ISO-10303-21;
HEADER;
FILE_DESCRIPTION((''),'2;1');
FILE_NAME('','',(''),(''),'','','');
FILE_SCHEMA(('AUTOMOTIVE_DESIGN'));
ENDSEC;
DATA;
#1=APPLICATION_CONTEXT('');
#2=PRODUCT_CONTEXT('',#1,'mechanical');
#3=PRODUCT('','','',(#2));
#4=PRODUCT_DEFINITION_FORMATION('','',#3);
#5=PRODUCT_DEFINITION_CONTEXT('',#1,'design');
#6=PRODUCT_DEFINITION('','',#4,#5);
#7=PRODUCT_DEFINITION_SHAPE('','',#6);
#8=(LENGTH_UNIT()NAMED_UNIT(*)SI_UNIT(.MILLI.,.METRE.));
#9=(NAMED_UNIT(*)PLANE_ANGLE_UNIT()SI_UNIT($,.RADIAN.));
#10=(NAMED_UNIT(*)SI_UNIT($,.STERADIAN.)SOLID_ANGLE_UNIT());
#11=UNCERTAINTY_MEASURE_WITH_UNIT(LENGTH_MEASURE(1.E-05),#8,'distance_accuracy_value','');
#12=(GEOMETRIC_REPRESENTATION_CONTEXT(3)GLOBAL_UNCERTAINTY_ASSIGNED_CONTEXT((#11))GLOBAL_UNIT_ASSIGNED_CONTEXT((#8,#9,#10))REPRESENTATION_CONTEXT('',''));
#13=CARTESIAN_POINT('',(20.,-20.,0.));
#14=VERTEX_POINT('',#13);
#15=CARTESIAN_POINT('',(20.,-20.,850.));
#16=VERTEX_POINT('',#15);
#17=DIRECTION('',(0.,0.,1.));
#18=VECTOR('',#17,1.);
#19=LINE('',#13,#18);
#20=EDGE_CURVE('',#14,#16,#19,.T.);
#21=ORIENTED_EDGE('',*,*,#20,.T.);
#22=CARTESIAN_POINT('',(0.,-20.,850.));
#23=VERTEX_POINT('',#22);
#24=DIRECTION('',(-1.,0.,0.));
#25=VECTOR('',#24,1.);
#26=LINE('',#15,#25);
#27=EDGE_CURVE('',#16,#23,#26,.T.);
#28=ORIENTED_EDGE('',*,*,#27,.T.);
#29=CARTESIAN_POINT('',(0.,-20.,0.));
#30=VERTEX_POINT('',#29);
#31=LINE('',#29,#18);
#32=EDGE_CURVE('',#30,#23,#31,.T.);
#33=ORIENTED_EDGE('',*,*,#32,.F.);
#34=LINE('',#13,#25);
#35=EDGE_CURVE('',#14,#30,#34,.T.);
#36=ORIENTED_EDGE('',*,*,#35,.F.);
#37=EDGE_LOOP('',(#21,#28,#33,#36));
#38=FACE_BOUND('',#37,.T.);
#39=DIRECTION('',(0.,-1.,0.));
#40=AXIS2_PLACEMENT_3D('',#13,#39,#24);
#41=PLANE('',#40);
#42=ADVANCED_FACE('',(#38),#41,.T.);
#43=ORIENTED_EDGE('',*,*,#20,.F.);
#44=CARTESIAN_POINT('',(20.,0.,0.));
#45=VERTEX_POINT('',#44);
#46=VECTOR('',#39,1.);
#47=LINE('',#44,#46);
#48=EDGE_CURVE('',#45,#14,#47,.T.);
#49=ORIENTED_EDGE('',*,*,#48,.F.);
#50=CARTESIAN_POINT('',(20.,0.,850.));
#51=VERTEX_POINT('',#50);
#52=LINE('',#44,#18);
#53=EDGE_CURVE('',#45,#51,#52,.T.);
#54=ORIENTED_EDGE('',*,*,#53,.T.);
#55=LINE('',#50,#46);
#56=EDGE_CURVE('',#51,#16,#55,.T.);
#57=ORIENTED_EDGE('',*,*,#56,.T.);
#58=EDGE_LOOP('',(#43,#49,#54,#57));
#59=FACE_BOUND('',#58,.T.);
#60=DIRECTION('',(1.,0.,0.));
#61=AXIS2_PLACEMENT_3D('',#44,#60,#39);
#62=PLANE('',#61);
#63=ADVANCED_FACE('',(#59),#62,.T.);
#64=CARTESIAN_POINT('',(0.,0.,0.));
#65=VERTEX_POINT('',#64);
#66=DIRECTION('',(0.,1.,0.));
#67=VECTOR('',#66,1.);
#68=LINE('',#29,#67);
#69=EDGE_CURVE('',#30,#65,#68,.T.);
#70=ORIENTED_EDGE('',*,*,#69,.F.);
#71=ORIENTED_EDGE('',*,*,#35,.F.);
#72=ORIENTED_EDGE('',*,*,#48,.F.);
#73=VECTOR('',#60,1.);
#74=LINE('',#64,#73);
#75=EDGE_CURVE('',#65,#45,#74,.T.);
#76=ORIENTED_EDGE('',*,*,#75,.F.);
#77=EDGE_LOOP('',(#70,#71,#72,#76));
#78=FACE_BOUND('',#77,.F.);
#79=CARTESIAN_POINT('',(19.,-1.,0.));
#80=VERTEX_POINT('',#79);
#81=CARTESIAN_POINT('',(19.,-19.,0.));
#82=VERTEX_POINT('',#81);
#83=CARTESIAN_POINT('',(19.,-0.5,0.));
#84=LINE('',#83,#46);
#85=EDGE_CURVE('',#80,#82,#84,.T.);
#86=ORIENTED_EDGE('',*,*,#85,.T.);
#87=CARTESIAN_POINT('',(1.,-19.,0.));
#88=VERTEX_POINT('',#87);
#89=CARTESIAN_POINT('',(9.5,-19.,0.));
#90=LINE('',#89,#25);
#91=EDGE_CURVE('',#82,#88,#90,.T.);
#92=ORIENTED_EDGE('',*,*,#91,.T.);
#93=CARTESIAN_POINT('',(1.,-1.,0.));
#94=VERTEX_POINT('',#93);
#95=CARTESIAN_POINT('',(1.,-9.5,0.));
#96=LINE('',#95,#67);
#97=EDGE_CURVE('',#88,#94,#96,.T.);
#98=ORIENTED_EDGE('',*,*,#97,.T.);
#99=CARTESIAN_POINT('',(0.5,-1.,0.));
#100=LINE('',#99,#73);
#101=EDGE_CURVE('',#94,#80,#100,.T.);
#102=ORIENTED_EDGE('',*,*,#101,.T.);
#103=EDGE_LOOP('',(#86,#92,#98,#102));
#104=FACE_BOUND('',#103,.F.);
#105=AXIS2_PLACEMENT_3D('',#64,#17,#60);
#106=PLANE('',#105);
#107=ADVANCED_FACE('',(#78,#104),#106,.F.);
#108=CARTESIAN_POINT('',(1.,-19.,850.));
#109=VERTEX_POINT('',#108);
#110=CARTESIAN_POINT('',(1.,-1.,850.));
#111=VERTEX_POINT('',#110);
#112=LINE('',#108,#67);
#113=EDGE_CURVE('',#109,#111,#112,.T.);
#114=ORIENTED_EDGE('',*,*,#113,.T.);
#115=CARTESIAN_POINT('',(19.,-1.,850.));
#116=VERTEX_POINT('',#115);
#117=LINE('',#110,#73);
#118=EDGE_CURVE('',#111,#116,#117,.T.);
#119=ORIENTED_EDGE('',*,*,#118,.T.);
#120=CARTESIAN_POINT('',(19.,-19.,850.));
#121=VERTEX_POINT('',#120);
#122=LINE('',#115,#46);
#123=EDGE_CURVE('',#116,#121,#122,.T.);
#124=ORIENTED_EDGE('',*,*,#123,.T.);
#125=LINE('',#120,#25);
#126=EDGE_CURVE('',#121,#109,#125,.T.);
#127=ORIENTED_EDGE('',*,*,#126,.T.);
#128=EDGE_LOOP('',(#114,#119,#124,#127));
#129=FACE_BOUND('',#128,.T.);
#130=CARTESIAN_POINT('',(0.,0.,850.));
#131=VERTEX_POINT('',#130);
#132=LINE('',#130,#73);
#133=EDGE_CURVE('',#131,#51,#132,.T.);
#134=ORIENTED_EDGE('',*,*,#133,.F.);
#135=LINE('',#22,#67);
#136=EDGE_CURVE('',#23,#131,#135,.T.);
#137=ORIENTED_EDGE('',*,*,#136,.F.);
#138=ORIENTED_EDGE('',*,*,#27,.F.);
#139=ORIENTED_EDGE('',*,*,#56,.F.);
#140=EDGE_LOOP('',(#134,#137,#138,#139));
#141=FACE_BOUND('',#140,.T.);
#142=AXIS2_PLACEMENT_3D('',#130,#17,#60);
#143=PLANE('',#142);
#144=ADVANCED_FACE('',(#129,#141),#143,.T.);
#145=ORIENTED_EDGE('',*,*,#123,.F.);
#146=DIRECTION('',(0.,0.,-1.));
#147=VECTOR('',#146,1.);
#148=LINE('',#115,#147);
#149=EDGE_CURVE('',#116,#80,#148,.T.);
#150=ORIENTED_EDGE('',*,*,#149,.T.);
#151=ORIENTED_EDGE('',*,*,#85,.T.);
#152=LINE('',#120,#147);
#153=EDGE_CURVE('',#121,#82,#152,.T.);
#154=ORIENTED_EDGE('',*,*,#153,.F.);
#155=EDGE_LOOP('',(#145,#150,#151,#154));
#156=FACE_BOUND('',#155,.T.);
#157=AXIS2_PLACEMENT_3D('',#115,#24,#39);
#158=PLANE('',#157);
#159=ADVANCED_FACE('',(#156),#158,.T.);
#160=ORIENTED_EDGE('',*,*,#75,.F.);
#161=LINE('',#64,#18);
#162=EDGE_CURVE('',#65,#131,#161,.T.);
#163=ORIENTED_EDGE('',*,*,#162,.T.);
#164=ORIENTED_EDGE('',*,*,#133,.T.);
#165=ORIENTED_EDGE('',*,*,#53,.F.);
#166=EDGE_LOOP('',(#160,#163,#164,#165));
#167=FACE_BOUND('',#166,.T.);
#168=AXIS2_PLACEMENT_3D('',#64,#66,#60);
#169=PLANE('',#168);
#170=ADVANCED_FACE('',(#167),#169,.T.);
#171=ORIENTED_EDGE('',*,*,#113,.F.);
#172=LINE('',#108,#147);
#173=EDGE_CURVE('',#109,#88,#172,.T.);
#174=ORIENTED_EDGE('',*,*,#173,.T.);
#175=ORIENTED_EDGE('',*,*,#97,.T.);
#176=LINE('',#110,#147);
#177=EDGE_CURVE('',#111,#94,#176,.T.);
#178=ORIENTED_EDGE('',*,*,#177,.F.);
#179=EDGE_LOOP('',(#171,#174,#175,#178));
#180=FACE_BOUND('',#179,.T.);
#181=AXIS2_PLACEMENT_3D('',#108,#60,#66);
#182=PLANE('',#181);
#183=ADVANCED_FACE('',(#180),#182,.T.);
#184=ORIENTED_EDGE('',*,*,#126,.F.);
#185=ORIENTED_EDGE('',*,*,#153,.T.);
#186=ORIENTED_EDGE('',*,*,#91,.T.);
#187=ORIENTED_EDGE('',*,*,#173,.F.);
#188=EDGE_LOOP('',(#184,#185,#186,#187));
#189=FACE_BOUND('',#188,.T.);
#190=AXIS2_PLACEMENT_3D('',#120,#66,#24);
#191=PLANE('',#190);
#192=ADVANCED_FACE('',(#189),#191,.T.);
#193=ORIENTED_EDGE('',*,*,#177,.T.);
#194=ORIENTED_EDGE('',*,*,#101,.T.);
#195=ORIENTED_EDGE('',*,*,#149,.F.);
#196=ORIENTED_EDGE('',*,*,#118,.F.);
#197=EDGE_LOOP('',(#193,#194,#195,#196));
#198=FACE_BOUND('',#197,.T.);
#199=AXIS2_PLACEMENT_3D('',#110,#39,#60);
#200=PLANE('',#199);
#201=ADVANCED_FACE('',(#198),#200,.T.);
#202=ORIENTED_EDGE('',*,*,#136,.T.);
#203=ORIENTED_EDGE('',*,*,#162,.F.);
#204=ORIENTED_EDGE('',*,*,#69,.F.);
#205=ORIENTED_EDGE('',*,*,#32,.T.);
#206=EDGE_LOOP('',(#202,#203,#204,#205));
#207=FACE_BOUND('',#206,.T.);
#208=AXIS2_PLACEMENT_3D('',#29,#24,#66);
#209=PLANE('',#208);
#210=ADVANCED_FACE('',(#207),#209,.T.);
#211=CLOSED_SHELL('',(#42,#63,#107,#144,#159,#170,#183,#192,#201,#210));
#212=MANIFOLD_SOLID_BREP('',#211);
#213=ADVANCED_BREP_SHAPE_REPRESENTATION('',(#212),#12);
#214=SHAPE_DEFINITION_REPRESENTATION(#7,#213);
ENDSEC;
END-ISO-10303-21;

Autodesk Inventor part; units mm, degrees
ref_plane "YZ Plane" through (0, 0, 0) normal (1, 0, 0) x (0, 1, 0)
ref_plane "XZ Plane" through (0, 0, 0) normal (0, 1, 0) x (-1, 0, 0)
ref_plane "XY Plane" through (0, 0, 0) normal (0, 0, 1) x (1, 0, 0)
sketch "Sketch1" plane through (0, 0, 0) normal (0, 0, 1) x (1, 0, 0)
  line L0 (0, 0) -> (20, 0)
  line L1 (20, 0) -> (20, -20)
  line L2 (20, -20) -> (0, -20)
  line L3 (0, -20) -> (0, 0)
  dimension "d0" = 20
  dimension "d1" = 20
extrude "Extrusion1" add sketch "Sketch1" along normal blind 850
sketch "Sketch2" plane through (0, 0, 850) normal (0, 0, 1) x (1, 0, 0)
  line L0 (1, -1) -> (19, -1)
  line L1 (19, -1) -> (19, -19)
  line L2 (19, -19) -> (1, -19)
  line L3 (1, -19) -> (1, -1)
  line L4 (0, 0) -> (0, -20) projected
  line L5 (20, 0) -> (0, 0) projected
  dimension "d4" = 1
  dimension "d5" = 1
  dimension "d6" = 18
  dimension "d7" = 18
extrude "Extrusion2" cut sketch "Sketch2" against normal through all
properties part number "profil_handle"
